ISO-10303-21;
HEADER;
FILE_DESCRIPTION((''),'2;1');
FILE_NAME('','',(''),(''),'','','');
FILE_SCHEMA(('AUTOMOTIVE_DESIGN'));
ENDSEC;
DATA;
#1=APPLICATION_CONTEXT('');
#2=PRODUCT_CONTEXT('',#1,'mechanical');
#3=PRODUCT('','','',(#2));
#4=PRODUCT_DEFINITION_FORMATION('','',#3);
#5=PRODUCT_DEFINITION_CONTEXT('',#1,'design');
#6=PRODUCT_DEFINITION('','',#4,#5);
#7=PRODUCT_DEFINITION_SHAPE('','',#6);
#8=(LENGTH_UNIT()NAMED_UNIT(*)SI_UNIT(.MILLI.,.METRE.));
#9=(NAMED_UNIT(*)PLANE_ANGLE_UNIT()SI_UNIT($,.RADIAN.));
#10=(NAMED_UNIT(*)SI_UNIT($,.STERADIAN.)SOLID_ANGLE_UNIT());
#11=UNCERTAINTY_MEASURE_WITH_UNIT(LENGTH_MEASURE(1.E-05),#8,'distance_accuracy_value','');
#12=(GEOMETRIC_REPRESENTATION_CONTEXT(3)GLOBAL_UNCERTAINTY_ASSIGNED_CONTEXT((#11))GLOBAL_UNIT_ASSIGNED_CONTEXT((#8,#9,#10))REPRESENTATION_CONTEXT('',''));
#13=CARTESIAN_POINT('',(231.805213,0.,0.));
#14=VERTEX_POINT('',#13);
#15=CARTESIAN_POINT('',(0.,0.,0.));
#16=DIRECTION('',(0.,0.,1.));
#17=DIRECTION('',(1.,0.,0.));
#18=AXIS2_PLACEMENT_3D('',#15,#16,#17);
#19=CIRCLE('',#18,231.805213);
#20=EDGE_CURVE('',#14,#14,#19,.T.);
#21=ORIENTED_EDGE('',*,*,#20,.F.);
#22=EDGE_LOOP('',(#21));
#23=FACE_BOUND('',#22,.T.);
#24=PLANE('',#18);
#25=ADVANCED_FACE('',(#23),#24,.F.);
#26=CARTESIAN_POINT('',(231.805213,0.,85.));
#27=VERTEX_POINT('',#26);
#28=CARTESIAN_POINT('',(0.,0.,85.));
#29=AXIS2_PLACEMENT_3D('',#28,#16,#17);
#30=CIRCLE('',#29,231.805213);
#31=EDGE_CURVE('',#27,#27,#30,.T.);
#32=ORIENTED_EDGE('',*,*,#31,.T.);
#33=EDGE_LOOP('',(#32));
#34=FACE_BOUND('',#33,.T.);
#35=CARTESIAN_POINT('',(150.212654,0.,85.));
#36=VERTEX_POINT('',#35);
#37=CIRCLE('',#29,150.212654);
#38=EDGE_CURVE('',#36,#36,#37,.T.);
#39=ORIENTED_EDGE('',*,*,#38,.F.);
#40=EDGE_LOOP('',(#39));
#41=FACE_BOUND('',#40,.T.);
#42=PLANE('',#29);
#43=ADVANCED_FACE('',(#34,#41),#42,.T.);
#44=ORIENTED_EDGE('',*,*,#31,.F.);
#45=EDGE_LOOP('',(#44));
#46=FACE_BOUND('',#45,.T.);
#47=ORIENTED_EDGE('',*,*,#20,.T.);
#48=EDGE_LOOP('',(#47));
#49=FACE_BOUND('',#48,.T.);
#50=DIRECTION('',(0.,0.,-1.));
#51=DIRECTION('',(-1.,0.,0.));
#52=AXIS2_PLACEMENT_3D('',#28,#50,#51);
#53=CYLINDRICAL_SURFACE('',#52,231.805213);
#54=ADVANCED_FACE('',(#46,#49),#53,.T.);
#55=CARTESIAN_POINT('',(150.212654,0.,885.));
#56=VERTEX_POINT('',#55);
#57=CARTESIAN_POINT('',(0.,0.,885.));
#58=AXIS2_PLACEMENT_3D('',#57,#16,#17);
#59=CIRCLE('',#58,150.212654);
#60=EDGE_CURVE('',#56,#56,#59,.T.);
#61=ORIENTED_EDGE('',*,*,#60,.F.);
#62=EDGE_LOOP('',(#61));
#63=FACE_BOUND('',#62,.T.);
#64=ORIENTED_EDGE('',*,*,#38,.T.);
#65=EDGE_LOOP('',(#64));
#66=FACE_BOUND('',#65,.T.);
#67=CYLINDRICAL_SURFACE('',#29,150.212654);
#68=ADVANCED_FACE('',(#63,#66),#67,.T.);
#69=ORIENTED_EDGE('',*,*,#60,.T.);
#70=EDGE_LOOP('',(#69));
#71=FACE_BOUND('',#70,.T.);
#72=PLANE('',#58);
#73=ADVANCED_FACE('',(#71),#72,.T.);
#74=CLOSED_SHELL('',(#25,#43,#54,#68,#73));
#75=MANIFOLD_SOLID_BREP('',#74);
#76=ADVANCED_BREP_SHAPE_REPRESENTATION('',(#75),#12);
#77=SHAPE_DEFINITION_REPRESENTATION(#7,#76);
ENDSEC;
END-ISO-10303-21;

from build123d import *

# Parameters (mm, degrees)
SKETCH1_R           = 231.80521347
BOSS_EXTRUDE1_DEPTH = 85
SKETCH2_W           = 215.150125982
SKETCH2_H           = 209.680207524
BOSS_EXTRUDE3_DEPTH = 800
SKETCH3_R           = 35
CUT_EXTRUDE1_DEPTH  = 248
SKETCH4_R           = 150.212654375
BOSS_EXTRUDE5_DEPTH = 885


with BuildPart() as part:
    # Sketch1 → Boss-Extrude1 (new body)
    with BuildSketch(Plane.XY):
        Circle(SKETCH1_R)
    extrude(amount=BOSS_EXTRUDE1_DEPTH)

    # Sketch2 → Boss-Extrude3 (add)
    with BuildSketch(Plane.XY.offset(85)):
        Rectangle(SKETCH2_W, SKETCH2_H)
    extrude(amount=BOSS_EXTRUDE3_DEPTH)

    # Sketch3 → Cut-Extrude1 (cut)
    with BuildSketch(Plane(origin=(107.575062991, 0, 0), x_dir=(0, 0, -1), z_dir=(1, 0, 0))):
        with Locations((-795.184826294, 0)):
            Circle(SKETCH3_R)
    extrude(amount=-CUT_EXTRUDE1_DEPTH, mode=Mode.SUBTRACT)

    # Sketch4 → Boss-Extrude5 (add)
    with BuildSketch(Plane.XY.offset(885)):
        Circle(SKETCH4_R)
    extrude(amount=-BOSS_EXTRUDE5_DEPTH)


solid = part.part
